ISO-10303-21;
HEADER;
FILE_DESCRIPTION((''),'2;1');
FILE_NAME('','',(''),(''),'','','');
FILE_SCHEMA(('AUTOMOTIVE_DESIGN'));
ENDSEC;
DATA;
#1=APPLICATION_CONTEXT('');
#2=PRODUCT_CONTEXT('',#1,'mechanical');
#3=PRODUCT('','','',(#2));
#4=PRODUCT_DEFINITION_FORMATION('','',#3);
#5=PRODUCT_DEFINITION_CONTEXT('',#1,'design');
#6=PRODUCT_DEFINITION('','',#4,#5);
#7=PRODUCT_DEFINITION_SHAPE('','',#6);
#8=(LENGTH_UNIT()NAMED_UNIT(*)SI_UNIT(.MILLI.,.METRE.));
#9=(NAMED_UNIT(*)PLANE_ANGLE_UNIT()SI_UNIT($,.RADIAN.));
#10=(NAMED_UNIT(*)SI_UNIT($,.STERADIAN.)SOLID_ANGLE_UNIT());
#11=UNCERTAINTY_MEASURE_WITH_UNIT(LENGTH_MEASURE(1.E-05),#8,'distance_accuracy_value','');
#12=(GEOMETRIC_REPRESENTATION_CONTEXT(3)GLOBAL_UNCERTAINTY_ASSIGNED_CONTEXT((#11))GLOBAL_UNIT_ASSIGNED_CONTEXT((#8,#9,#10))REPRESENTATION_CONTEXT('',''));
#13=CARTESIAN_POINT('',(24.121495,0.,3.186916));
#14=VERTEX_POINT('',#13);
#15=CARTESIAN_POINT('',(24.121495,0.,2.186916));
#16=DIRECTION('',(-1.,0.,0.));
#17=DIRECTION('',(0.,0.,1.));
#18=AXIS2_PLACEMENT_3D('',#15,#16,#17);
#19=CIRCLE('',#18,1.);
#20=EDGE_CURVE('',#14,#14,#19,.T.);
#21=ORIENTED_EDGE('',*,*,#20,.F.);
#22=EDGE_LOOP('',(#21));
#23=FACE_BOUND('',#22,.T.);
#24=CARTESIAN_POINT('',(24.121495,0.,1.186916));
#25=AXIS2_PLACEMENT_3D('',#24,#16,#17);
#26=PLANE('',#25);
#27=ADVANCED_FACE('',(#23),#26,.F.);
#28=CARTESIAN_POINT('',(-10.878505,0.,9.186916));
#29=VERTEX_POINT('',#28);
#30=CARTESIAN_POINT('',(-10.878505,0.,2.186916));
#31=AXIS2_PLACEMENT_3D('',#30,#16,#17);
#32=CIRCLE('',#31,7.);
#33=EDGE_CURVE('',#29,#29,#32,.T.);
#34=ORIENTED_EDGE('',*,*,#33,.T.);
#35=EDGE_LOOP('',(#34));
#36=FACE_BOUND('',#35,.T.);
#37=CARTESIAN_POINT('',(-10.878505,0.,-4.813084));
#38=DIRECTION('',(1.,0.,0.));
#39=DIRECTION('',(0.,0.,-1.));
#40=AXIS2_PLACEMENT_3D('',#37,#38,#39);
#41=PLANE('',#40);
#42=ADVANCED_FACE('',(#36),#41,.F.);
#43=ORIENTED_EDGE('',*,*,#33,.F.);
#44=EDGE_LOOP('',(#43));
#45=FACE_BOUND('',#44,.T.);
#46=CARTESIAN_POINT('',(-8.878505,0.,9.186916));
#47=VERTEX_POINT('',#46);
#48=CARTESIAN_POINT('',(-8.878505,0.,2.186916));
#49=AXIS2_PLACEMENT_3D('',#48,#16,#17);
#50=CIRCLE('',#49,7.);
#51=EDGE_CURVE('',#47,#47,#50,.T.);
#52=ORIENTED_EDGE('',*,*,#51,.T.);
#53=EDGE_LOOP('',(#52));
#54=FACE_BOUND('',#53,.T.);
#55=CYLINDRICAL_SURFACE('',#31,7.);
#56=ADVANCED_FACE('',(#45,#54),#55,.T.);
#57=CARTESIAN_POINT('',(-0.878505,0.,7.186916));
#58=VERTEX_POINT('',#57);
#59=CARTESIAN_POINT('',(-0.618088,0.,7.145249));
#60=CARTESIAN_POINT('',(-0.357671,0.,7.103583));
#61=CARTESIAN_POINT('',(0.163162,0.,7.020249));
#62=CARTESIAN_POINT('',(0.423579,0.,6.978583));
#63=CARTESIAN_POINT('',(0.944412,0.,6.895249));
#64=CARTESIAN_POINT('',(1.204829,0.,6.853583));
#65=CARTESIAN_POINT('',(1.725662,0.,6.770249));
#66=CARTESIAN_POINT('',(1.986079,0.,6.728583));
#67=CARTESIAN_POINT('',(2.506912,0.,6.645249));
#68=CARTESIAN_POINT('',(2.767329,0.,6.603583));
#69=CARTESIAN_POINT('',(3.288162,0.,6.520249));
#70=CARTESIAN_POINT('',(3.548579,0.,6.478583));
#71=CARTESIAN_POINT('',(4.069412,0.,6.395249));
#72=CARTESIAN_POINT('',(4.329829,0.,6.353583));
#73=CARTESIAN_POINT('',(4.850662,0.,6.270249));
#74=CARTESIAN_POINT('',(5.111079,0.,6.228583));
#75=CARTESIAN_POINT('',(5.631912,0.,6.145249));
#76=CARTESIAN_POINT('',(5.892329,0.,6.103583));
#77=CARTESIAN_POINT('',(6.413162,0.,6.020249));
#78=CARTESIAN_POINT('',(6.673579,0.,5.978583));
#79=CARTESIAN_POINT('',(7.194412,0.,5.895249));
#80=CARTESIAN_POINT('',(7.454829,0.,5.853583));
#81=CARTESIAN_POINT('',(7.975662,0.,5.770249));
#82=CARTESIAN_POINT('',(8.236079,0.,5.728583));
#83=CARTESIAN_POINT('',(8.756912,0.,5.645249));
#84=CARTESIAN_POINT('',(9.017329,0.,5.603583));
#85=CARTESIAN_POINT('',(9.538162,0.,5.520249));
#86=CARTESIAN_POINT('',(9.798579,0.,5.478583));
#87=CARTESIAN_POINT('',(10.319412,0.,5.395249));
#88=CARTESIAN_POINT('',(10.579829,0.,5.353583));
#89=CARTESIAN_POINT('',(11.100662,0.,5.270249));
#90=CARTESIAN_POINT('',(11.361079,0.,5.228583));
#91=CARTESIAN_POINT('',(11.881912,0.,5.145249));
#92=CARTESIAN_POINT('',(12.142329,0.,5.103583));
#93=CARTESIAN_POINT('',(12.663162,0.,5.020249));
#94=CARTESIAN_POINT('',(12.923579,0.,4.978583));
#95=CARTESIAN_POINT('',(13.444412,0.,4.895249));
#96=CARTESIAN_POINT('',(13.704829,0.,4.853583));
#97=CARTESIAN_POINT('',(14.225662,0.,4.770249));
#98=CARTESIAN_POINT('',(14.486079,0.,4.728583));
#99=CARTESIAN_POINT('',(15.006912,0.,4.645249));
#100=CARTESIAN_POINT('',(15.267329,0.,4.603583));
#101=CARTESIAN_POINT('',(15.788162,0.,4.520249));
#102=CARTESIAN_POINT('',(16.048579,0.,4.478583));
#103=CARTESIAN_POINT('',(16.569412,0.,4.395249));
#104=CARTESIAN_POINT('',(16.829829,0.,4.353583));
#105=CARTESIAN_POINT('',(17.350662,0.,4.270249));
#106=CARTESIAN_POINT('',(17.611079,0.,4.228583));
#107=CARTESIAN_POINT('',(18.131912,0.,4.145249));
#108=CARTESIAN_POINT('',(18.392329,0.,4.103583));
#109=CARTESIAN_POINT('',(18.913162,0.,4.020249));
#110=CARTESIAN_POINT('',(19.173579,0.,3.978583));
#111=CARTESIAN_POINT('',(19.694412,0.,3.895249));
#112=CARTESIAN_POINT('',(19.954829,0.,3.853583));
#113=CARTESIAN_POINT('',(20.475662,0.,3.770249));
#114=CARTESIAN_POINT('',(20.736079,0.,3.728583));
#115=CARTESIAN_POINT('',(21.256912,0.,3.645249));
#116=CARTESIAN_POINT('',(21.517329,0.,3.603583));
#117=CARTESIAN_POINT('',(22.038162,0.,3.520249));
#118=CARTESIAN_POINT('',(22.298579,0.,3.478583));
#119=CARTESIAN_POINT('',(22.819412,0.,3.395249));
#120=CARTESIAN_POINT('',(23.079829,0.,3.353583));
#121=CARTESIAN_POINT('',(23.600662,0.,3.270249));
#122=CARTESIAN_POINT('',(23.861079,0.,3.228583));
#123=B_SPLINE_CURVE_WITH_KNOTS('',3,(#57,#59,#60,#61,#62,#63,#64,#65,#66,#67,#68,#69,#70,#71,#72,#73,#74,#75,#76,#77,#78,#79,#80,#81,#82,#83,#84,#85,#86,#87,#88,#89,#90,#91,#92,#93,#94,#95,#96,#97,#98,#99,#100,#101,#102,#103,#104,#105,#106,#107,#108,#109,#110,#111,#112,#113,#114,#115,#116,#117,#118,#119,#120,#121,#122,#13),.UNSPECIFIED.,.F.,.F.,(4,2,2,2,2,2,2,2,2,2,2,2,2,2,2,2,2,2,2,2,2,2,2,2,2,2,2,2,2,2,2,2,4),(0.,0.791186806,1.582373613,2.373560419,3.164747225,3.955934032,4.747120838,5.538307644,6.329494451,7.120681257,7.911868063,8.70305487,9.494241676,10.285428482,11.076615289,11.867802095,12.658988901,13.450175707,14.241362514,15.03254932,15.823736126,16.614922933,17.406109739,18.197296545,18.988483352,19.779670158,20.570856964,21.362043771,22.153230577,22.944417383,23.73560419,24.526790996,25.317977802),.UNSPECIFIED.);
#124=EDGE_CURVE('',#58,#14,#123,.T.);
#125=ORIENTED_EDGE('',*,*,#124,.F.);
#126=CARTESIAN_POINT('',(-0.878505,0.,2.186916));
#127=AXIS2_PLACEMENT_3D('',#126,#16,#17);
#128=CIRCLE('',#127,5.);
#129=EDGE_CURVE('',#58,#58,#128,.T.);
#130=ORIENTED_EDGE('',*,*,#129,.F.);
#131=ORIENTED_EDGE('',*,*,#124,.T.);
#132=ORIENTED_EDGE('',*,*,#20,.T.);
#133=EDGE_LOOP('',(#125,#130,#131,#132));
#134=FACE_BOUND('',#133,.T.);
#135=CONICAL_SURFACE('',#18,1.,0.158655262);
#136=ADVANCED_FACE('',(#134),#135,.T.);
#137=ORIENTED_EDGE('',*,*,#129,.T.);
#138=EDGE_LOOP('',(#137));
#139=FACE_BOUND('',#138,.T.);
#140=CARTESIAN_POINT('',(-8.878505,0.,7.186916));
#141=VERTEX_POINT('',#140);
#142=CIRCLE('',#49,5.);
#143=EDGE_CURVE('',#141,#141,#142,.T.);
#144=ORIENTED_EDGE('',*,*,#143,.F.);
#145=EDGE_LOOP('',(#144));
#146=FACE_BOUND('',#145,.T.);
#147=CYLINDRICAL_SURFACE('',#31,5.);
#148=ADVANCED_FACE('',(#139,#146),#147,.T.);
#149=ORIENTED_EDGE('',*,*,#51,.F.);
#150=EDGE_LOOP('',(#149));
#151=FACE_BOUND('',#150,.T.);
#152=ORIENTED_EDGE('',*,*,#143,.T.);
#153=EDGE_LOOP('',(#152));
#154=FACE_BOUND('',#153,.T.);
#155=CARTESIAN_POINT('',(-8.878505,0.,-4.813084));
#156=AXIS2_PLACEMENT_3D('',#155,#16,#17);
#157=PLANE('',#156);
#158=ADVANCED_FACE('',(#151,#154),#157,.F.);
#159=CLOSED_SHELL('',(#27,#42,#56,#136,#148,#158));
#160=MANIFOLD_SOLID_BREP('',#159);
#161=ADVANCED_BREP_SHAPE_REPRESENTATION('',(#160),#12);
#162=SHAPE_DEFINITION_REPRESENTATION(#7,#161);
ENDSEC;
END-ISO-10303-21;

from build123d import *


with BuildPart() as part:
    # Schizzo1 → Rivoluzione1 (revolve)
    with BuildSketch(Plane(origin=(0, 0, 0), x_dir=(1, 0, 0), z_dir=(0, 1, 0)), mode=Mode.PRIVATE) as rivoluzione1_sk:
        Polygon((-8.878504673, 4.813084112), (-8.878504673, 2.813084112), (-0.878504673, 2.813084112), (24.121495327, -1.186915888), (24.121495327, -2.186915888), (-10.878504673, -2.186915888), (-10.878504673, 4.813084112), align=None)
    revolve(rivoluzione1_sk.sketch.rotate(Axis((-10.878504673, 0, 2.186915888), (1, 0, 0)), 180), axis=Axis((-10.878504673, 0, 2.186915888), (1, 0, 0)))


solid = part.part
